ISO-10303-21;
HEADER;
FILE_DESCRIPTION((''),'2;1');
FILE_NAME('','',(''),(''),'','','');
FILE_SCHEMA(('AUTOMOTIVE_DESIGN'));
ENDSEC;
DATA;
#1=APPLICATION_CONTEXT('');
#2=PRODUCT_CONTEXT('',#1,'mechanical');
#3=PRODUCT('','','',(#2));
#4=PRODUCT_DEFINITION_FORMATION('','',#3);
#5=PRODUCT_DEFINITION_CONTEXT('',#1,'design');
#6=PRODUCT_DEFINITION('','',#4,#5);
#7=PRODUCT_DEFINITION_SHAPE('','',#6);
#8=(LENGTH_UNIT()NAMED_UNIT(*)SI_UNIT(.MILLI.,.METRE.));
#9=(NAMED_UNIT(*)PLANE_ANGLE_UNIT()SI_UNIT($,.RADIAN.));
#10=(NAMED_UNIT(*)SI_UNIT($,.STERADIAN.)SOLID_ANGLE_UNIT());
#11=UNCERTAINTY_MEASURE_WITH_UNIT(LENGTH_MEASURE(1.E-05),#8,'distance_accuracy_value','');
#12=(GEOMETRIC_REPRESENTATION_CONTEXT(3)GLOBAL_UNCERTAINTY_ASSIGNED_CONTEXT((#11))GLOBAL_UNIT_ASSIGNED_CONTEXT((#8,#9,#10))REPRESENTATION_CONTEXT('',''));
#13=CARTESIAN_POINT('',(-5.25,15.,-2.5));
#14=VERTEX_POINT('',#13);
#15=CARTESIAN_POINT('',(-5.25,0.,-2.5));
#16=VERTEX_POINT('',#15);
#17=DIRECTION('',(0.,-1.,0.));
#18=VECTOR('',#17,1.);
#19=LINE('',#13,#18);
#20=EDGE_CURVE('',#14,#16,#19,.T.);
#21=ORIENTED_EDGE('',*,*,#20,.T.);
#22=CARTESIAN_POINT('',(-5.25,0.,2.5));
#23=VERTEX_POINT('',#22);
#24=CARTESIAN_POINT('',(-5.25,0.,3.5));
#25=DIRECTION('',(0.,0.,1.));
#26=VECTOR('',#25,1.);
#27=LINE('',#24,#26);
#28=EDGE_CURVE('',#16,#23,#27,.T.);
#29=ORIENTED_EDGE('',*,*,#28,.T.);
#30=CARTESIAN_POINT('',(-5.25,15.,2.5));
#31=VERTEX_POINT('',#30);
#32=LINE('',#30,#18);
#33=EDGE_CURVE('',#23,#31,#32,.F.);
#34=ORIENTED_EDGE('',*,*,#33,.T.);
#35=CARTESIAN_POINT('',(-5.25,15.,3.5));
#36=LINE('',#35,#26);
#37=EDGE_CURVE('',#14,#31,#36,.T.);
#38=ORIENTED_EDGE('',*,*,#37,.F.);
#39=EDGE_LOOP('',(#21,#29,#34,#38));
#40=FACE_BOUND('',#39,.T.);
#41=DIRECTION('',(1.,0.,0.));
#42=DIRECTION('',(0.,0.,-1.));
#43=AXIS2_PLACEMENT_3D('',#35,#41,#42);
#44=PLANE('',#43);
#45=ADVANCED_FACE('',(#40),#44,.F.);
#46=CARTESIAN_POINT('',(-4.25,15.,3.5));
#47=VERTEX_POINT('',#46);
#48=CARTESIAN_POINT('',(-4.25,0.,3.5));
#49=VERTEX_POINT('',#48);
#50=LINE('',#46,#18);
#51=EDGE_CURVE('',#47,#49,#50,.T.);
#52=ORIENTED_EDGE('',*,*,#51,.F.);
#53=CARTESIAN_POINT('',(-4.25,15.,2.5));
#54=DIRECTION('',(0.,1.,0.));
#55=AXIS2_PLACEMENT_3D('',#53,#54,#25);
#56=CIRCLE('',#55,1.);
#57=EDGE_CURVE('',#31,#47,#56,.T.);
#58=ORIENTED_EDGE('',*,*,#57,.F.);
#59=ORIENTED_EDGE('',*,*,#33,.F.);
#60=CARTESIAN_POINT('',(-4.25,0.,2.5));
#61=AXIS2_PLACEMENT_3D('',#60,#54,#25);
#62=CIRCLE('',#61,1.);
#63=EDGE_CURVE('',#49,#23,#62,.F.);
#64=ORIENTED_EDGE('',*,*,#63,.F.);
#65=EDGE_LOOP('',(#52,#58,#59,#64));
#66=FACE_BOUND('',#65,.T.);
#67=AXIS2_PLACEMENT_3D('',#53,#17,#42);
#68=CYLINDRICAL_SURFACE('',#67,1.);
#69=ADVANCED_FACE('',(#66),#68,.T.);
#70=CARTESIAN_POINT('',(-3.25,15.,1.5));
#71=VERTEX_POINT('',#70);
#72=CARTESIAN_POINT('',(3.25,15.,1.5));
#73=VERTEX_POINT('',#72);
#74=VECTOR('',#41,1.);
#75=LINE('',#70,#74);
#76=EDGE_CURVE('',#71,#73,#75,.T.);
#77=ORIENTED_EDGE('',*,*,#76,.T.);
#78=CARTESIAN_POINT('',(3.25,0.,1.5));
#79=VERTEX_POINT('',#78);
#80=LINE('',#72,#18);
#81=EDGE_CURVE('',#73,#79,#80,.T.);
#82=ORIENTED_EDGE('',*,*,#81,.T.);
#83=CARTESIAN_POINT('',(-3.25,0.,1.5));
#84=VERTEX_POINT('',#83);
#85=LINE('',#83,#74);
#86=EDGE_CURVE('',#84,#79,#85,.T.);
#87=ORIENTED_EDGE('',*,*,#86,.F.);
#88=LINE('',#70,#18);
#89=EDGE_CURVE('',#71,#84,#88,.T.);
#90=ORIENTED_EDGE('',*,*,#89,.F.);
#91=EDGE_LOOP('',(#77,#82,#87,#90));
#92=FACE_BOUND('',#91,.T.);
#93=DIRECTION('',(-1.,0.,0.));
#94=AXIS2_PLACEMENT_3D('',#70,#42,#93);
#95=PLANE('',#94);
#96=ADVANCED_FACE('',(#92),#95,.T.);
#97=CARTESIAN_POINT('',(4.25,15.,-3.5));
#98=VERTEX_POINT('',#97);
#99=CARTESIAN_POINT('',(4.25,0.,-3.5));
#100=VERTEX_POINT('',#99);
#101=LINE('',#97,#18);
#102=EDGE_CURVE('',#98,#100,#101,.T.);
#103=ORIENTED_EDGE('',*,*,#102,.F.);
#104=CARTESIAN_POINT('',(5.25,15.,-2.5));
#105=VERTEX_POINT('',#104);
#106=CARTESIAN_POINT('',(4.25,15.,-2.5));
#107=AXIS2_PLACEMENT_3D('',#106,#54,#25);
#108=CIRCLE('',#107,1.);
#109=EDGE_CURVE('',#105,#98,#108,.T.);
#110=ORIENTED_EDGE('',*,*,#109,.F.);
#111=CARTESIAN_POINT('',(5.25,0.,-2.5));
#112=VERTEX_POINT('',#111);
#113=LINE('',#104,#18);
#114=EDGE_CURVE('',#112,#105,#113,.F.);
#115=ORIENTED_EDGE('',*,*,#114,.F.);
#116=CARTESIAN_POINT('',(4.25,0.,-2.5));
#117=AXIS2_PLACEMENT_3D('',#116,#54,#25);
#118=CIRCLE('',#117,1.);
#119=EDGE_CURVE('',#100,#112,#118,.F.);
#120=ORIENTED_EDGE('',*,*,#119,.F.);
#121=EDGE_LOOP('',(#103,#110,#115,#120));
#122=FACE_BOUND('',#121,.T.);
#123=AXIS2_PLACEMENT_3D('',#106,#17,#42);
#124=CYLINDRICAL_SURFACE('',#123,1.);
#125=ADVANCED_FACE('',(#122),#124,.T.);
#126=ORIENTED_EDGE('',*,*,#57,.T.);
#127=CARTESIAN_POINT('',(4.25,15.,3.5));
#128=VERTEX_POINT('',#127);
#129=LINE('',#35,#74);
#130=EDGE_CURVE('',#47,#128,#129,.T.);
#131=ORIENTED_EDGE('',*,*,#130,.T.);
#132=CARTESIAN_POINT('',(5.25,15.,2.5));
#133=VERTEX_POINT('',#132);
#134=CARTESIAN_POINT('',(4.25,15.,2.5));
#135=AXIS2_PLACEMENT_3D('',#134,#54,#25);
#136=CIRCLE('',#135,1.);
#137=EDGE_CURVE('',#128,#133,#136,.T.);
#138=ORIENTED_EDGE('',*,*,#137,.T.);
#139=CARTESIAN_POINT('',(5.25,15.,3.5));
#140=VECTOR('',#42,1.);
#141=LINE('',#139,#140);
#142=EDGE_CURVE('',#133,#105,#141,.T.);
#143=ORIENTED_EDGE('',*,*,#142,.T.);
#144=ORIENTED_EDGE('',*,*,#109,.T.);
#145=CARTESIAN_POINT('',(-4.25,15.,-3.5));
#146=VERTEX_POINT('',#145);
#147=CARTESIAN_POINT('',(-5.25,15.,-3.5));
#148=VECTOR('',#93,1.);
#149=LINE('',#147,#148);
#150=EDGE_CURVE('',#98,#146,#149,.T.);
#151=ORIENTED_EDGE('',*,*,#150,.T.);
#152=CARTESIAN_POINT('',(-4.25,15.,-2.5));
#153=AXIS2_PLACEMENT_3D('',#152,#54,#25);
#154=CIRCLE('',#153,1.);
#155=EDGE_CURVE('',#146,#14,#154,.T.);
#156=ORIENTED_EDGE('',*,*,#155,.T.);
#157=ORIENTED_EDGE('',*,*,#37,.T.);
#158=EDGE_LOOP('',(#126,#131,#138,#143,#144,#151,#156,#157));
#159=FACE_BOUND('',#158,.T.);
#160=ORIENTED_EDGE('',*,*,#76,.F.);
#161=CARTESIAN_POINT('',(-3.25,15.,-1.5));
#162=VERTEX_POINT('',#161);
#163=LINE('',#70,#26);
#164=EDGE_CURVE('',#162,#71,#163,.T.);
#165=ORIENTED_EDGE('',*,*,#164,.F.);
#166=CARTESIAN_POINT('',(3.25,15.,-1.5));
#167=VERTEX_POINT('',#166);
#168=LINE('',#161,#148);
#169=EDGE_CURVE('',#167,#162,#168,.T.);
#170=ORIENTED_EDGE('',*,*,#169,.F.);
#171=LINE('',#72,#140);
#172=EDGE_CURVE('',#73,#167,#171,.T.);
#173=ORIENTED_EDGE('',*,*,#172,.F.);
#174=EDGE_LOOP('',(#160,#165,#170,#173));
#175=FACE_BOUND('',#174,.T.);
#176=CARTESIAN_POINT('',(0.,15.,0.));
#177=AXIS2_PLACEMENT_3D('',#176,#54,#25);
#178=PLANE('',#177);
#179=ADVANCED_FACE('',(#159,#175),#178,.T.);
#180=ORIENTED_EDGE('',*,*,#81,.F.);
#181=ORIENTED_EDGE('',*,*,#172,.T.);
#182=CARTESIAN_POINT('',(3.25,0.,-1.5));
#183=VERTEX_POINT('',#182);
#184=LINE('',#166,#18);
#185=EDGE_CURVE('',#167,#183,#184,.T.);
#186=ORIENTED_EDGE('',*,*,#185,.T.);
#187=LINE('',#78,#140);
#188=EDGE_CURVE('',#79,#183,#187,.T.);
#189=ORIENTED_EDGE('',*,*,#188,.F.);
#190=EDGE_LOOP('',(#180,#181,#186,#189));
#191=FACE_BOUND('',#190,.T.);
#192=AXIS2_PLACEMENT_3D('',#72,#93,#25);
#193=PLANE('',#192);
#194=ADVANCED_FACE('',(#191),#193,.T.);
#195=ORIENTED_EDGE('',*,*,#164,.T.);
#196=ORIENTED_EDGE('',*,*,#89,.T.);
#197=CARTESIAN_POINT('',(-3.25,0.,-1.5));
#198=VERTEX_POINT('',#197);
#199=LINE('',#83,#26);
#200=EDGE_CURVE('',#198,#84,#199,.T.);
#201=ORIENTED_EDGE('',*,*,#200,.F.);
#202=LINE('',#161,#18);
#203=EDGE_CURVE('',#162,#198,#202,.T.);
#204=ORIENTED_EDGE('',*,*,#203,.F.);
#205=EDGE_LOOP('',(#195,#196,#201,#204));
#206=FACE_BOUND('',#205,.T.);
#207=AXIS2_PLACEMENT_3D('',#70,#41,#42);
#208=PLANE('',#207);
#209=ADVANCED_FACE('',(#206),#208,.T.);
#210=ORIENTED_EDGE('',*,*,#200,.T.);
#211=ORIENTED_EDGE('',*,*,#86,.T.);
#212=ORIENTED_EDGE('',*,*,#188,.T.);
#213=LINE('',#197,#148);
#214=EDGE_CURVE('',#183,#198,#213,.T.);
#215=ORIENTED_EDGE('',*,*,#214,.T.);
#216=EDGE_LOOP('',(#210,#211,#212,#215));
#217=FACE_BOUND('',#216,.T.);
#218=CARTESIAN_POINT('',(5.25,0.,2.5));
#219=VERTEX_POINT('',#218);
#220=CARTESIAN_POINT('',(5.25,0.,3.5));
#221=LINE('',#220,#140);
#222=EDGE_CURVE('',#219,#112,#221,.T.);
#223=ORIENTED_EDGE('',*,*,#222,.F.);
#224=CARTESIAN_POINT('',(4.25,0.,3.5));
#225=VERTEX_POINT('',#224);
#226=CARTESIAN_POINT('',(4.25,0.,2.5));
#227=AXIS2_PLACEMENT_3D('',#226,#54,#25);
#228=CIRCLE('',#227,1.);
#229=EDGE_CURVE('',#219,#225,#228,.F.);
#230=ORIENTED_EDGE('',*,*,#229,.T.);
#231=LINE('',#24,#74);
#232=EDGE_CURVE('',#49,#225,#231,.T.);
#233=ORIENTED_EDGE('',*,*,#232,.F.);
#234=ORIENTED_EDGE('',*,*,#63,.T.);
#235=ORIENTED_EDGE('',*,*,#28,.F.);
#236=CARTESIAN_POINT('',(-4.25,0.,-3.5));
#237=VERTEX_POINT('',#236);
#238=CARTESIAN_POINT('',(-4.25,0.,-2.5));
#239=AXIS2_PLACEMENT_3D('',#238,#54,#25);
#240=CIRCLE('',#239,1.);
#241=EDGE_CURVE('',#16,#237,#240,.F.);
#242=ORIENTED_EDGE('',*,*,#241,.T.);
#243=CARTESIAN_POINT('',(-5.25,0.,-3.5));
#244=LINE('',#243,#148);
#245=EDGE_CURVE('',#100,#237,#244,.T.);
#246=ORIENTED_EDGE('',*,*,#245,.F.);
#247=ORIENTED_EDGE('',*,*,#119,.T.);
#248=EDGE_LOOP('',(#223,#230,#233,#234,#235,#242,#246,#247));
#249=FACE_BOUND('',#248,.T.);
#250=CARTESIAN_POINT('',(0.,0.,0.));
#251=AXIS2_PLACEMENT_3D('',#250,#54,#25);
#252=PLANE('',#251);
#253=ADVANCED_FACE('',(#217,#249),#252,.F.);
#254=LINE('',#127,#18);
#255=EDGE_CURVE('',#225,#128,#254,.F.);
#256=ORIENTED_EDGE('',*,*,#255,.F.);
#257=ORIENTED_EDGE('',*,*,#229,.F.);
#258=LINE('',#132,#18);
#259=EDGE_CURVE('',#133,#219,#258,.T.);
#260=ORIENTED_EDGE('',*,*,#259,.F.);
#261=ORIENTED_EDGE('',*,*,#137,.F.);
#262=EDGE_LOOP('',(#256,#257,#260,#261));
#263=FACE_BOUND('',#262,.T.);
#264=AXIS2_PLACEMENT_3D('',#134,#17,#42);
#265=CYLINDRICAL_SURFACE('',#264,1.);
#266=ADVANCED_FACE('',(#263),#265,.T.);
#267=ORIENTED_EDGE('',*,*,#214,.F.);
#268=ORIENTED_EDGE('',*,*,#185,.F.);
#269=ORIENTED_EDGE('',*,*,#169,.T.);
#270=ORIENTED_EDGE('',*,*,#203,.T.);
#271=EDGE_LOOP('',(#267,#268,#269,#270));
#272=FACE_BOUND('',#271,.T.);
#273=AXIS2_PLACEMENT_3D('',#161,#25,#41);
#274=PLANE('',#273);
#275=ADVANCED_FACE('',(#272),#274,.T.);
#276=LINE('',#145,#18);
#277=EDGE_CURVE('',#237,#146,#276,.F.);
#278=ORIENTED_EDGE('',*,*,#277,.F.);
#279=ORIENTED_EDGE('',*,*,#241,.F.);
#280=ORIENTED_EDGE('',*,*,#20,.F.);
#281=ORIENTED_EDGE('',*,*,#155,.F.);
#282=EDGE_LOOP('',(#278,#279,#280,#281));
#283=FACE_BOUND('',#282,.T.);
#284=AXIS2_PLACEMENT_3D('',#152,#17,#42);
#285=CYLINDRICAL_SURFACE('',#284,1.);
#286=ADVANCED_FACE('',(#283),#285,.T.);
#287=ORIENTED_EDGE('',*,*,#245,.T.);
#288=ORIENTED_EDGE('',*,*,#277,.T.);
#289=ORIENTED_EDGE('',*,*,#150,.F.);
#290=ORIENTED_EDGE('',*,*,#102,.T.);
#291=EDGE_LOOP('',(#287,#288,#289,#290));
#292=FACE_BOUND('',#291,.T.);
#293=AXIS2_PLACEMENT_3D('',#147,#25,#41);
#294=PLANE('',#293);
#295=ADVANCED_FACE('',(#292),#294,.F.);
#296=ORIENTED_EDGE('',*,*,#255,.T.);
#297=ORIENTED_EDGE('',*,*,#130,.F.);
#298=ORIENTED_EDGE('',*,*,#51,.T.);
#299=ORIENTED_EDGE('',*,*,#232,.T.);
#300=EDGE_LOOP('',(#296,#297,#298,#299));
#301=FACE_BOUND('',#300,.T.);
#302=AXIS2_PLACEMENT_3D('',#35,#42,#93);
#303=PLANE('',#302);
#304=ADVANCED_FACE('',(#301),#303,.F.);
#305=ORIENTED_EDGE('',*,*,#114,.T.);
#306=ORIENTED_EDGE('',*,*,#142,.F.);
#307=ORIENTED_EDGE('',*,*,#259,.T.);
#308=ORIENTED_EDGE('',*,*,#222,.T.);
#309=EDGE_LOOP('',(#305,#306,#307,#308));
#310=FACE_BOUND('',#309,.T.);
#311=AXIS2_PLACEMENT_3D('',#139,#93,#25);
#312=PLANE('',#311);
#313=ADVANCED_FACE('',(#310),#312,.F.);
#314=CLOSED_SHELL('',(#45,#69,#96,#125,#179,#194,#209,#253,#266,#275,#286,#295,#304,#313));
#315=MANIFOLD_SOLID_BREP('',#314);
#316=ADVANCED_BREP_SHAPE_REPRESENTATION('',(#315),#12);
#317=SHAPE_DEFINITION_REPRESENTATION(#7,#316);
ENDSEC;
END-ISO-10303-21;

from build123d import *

# Parameters (mm, degrees)
SKETCH2_W           = 10.5
SKETCH2_H           = 7
SKETCH2_W_2         = 6.5
SKETCH2_H_2         = 3
BOSS_EXTRUDE1_DEPTH = 15
FILLET1_R           = 1


with BuildPart() as part:
    # Sketch2 → Boss-Extrude1 (new body)
    with BuildSketch(Plane(origin=(0, 0, 0), x_dir=(1, 0, 0), z_dir=(0, 1, 0))):
        Rectangle(SKETCH2_W, SKETCH2_H)
        Rectangle(SKETCH2_W_2, SKETCH2_H_2, mode=Mode.SUBTRACT)
    extrude(amount=BOSS_EXTRUDE1_DEPTH)

    # Fillet1
    fillet1_edges = [part.edges().sort_by_distance(p)[0] for p in [
        (-5.25, 7.5, 3.5),
        (-5.25, 7.5, -3.5),
        (5.25, 7.5, -3.5),
        (5.25, 7.5, 3.5),
    ]]
    fillet(fillet1_edges, radius=FILLET1_R)


solid = part.part
